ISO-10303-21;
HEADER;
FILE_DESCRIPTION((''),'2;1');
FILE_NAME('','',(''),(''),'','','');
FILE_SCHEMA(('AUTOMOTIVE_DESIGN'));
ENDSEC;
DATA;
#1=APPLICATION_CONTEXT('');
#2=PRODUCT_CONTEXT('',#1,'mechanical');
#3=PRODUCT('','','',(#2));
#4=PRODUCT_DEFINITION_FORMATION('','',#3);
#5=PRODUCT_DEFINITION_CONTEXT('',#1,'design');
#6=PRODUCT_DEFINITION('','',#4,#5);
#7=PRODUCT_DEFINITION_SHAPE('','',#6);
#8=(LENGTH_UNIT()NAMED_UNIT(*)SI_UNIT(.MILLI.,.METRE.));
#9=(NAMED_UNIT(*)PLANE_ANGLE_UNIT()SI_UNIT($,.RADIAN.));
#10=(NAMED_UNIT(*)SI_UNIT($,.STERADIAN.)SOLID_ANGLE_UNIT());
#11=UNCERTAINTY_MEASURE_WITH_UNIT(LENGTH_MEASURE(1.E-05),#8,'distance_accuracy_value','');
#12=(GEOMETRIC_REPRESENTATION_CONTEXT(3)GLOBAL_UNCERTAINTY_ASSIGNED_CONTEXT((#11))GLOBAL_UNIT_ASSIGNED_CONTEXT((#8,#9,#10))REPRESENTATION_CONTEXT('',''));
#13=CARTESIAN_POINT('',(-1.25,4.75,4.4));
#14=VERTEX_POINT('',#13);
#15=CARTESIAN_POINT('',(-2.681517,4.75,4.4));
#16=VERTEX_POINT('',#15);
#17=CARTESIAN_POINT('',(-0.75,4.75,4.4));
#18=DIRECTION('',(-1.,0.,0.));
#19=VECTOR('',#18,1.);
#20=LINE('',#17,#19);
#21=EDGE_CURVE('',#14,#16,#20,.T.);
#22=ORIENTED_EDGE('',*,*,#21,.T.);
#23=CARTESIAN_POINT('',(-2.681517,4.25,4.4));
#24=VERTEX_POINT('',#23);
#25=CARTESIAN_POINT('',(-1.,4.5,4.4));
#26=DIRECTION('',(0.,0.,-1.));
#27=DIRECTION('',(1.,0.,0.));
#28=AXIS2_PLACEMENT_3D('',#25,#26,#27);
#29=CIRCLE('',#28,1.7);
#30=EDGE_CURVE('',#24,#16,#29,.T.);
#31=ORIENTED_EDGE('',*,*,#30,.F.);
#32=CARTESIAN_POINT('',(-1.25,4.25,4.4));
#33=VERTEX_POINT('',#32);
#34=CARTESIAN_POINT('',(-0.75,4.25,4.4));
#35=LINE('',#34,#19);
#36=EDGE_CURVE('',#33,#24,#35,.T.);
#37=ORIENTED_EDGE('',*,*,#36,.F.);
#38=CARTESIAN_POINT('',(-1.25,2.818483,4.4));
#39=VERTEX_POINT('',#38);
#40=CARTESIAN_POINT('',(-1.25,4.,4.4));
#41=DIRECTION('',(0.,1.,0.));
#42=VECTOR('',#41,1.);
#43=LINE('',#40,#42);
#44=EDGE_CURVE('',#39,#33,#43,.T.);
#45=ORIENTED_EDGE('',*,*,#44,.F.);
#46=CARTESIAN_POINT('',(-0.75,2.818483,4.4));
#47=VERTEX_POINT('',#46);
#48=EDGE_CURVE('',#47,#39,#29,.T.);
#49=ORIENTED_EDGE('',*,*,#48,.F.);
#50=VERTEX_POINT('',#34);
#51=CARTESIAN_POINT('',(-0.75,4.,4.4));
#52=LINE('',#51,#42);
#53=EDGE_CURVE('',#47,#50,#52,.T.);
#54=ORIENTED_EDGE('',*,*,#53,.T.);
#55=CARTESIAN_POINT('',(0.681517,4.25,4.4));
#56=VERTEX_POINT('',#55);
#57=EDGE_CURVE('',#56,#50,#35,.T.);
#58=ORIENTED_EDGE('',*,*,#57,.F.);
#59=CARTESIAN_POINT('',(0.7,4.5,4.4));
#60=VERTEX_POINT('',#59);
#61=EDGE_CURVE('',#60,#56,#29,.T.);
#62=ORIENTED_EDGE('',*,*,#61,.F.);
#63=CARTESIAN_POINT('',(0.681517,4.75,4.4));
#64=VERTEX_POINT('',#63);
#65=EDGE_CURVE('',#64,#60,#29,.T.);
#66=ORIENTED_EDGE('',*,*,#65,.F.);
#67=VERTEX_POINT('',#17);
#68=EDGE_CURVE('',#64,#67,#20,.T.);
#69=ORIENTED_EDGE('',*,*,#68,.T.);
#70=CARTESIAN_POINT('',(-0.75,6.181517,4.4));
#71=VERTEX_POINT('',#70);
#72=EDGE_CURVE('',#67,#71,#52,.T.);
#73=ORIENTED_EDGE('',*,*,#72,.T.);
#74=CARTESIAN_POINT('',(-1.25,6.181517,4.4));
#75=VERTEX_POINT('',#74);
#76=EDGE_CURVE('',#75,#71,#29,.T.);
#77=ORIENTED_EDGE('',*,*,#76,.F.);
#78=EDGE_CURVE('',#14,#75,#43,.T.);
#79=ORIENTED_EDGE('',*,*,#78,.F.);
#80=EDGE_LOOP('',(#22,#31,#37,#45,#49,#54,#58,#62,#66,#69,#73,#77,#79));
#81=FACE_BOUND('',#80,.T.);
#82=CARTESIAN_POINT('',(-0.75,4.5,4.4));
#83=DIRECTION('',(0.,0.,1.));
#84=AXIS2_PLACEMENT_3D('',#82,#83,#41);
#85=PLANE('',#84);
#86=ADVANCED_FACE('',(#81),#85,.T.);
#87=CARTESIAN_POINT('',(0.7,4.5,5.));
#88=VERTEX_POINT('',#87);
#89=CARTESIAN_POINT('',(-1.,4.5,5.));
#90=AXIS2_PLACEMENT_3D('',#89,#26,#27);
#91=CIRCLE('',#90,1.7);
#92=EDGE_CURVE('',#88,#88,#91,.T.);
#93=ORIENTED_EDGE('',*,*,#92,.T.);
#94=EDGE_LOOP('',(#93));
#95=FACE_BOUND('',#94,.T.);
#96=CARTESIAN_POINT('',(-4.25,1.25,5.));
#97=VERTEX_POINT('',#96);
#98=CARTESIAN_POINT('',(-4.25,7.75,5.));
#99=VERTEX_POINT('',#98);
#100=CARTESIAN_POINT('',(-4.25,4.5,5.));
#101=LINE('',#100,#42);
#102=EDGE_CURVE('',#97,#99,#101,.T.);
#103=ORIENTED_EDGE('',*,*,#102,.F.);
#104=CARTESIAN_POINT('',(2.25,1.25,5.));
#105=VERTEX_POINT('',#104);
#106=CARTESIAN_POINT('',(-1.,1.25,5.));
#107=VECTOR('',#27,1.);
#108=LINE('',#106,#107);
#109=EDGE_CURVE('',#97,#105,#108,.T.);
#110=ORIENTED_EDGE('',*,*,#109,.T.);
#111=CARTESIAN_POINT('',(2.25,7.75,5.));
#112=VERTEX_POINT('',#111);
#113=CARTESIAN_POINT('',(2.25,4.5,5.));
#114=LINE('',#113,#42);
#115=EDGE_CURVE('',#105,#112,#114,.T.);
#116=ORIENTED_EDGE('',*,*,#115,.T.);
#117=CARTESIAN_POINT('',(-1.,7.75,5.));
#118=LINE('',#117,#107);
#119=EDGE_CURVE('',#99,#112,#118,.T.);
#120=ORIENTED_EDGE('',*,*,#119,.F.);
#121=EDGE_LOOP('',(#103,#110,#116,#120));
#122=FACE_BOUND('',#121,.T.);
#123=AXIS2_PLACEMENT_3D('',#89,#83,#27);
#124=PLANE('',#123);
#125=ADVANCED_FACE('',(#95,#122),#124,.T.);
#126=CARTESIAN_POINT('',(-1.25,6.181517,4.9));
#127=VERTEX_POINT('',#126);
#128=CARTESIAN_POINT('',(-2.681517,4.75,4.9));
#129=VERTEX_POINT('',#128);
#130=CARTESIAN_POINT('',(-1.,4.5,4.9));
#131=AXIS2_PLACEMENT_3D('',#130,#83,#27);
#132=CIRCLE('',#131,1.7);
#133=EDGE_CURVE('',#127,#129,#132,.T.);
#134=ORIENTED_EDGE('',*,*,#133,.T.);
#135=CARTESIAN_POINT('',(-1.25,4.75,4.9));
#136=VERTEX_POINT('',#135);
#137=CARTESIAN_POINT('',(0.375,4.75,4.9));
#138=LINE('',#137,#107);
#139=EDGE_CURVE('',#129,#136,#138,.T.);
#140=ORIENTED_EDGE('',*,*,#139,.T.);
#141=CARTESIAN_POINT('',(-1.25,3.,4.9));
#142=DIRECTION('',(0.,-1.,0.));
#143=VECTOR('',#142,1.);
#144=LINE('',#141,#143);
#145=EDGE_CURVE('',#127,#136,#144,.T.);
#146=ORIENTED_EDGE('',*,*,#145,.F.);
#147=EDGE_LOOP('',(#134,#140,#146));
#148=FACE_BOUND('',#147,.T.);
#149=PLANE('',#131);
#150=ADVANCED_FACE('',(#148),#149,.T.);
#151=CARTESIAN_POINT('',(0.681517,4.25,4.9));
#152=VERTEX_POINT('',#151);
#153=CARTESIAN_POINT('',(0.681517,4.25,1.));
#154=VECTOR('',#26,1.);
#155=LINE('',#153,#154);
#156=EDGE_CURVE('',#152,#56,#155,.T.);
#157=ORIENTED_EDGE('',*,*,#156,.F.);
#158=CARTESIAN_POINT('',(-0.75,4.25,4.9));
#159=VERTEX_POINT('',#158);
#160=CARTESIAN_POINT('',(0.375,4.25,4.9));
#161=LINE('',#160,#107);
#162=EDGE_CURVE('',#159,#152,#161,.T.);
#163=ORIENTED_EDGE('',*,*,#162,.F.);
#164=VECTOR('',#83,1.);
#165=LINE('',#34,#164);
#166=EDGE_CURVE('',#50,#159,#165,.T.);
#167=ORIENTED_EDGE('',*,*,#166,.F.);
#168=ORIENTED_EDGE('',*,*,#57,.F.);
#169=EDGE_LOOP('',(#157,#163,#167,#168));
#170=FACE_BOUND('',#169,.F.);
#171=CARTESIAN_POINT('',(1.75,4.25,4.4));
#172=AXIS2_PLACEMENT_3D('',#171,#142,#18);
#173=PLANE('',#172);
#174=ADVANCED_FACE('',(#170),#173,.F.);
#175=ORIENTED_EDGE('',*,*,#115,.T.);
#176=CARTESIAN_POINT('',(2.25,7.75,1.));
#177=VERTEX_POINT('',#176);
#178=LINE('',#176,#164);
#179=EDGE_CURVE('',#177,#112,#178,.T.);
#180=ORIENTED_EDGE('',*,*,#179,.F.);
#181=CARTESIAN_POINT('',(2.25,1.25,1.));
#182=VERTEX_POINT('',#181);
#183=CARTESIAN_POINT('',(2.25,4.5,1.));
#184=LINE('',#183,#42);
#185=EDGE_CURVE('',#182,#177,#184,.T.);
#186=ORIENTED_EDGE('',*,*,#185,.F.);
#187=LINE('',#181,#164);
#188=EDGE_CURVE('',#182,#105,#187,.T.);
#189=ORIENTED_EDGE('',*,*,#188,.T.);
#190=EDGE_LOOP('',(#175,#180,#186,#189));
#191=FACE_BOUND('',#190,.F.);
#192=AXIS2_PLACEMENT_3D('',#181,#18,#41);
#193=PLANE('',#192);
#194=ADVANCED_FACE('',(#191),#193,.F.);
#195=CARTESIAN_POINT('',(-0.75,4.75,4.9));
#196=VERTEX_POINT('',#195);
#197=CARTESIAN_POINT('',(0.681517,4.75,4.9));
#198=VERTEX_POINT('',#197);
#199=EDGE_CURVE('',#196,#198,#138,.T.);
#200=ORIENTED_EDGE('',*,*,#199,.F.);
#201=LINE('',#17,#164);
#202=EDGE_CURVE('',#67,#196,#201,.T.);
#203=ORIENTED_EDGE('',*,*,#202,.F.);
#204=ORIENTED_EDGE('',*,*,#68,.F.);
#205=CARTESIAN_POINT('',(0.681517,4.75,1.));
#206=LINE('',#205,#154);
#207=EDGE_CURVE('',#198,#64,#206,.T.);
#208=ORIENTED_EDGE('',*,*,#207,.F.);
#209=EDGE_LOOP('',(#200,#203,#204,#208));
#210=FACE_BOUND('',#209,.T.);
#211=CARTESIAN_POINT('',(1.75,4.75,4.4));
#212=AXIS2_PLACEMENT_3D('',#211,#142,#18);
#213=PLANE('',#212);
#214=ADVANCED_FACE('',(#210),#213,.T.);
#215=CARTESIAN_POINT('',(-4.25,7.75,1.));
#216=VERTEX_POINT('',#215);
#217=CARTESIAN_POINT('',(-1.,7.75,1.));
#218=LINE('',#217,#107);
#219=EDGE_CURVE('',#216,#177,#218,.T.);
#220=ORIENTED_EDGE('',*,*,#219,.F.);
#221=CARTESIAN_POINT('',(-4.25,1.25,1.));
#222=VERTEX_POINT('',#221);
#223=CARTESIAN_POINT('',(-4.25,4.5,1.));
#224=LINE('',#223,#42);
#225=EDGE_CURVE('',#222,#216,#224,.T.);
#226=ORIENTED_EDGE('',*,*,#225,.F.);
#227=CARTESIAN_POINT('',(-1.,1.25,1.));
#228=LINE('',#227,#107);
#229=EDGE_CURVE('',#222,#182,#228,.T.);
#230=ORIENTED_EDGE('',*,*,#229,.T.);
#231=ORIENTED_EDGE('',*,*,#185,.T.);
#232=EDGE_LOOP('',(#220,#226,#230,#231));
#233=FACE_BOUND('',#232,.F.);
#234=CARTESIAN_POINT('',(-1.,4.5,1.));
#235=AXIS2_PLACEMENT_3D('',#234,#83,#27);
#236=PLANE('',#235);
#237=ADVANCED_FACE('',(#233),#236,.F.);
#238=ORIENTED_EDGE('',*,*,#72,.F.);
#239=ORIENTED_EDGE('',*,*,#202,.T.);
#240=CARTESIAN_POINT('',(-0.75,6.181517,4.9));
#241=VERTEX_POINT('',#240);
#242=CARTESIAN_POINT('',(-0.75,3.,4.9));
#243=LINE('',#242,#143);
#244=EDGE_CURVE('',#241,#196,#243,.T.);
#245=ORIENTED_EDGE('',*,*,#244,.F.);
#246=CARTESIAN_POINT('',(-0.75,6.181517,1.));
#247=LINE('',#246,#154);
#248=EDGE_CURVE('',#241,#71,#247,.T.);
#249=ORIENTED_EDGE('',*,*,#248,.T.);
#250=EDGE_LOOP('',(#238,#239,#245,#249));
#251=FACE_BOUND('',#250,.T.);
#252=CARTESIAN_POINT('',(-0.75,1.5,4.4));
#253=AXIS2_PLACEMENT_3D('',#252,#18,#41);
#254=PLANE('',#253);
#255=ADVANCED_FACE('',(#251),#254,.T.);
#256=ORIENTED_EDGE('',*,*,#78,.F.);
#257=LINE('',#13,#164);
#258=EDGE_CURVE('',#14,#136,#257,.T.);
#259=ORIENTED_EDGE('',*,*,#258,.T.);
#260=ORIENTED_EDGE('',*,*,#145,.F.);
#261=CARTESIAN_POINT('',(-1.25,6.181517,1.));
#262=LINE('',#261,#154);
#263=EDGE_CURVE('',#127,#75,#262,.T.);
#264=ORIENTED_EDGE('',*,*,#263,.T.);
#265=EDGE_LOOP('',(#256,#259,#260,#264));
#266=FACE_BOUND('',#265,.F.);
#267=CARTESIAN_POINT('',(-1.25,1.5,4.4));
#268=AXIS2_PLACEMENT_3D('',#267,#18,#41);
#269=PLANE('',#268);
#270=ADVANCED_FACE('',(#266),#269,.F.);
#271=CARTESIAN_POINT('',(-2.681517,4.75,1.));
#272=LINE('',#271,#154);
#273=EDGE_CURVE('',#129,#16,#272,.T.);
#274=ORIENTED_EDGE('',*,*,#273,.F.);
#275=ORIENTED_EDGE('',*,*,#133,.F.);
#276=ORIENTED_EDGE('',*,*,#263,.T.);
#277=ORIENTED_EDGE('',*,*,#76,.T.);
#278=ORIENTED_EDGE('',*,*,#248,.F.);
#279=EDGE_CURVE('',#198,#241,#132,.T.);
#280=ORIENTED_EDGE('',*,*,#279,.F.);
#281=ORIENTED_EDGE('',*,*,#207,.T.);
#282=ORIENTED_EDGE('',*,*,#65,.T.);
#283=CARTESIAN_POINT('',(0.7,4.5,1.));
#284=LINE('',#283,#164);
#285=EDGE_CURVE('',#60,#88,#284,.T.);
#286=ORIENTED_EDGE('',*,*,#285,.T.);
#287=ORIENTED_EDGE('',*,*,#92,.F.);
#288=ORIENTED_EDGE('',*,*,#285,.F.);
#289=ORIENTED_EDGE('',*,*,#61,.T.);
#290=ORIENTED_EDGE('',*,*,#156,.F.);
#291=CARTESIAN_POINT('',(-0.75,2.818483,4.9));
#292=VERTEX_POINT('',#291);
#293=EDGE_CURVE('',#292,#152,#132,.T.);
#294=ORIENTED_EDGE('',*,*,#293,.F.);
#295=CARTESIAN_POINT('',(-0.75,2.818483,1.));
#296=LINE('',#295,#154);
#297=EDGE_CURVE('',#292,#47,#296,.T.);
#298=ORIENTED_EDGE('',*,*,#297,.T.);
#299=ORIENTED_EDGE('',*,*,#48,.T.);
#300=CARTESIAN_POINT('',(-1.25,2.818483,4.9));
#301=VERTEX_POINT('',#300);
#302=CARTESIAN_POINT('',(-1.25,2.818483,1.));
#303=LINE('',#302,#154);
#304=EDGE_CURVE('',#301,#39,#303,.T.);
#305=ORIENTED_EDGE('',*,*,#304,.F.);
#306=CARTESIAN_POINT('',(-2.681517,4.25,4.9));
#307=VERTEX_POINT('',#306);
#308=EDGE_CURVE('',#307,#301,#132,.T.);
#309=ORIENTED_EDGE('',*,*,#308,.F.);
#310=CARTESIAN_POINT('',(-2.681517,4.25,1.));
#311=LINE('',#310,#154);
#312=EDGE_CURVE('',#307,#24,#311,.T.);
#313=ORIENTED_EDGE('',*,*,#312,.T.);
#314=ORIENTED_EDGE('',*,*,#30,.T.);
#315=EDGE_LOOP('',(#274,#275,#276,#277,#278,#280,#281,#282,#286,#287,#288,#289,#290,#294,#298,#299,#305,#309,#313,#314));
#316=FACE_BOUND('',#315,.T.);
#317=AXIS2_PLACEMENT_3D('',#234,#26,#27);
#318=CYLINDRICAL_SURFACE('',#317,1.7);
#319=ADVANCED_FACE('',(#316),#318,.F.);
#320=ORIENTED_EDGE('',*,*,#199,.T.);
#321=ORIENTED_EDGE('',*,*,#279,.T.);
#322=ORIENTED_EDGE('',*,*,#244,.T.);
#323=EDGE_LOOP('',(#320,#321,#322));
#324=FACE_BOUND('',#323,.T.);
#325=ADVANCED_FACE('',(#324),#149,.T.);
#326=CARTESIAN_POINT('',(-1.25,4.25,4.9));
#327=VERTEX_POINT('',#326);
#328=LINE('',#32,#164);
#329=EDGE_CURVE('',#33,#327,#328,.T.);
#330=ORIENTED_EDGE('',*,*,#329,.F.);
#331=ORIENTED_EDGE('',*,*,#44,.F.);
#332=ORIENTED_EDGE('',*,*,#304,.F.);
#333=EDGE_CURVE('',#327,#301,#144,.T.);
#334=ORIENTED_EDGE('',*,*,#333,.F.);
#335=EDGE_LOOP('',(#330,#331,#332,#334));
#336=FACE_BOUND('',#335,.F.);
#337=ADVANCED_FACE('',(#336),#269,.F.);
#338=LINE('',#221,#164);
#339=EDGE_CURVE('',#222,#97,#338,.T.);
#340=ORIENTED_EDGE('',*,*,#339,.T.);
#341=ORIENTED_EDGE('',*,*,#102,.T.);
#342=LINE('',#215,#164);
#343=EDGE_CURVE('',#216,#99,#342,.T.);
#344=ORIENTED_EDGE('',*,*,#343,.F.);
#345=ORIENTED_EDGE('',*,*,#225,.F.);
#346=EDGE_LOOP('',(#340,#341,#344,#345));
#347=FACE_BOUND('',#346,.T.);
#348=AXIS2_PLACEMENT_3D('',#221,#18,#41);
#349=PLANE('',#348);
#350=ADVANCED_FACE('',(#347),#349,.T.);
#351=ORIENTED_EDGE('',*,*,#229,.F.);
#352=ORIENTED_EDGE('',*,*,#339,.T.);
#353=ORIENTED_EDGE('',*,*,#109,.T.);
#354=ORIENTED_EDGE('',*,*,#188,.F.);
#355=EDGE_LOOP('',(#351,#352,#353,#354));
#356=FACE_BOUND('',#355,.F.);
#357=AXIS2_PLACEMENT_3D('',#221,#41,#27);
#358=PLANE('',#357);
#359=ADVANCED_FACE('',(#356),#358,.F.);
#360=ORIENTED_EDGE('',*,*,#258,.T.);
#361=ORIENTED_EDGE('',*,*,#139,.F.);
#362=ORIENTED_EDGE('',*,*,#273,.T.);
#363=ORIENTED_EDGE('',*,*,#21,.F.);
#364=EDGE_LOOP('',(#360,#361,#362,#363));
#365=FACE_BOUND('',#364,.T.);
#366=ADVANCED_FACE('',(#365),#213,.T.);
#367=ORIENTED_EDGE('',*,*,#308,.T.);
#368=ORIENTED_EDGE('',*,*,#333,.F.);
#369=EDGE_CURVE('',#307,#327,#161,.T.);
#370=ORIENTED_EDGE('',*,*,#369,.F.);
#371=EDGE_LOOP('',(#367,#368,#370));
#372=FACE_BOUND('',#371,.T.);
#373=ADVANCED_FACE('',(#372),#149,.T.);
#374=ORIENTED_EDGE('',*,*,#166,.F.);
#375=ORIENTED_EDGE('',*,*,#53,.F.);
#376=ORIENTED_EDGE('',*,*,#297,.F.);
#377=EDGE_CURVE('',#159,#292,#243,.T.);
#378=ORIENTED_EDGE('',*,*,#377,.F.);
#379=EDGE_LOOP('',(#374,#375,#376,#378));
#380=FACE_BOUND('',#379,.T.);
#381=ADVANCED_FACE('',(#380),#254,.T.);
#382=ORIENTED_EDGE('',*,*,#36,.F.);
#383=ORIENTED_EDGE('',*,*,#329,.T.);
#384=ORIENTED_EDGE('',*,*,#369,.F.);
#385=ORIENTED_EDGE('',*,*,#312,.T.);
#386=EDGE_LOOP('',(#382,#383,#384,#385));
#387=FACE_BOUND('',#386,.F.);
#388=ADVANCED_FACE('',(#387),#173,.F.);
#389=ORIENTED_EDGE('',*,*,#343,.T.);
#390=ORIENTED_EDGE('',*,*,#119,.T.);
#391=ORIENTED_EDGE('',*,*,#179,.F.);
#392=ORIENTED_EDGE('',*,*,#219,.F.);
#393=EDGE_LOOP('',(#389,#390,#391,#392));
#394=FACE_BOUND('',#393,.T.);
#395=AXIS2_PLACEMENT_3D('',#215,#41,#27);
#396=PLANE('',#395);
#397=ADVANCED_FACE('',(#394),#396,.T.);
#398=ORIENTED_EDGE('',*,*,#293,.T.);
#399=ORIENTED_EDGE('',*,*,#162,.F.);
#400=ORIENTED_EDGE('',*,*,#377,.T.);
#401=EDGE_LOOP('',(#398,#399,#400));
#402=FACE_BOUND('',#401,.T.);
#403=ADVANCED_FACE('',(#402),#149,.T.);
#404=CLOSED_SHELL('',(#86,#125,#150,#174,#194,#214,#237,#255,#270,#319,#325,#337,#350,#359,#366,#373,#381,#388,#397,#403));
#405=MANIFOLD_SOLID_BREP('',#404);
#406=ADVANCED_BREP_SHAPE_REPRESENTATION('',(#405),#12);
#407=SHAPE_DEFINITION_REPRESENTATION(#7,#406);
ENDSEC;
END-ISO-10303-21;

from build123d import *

# Parameters (mm, degrees)
BOX011_W               = 0.5
BOX011_H               = 5
BOX011_DEPTH           = 3
BOX011_PLACEMENT_ANGLE = 90
BOX012_W               = 0.5
BOX012_H               = 5
BOX012_DEPTH           = 3
CYLINDER_R             = 1.7
CYLINDER_DEPTH         = 3.9
CYLINDER001_R          = 1.7
CYLINDER001_DEPTH      = 5
BOX010_W               = 6.5
BOX010_H               = 6.5
BOX010_DEPTH           = 4


with BuildPart() as cubo011:
    # Box011 → Box011 (new body)
    with BuildSketch(Plane.XY):
        with Locations((0.25, 2.5)):
            Rectangle(BOX011_W, BOX011_H)
    extrude(amount=BOX011_DEPTH)


with BuildPart() as cubo011_1:
    # Box011 placement: moved
    add(cubo011.part.moved(Location((2.75, -0.25, 3.4))).rotate(Axis((2.75, -0.25, 3.4), (0, 0, 1)), BOX011_PLACEMENT_ANGLE))


with BuildPart() as cubo012:
    # Box012 → Box012 (new body)
    with BuildSketch(Plane(origin=(-0.25, -3, 3.4), x_dir=(1, 0, 0), z_dir=(0, 0, 1))):
        with Locations((0.25, 2.5)):
            Rectangle(BOX012_W, BOX012_H)
    extrude(amount=BOX012_DEPTH)


with BuildPart() as cut004:
    # Cylinder → Cylinder (new body)
    with BuildSketch(Plane.XY):
        Circle(CYLINDER_R)
    extrude(amount=CYLINDER_DEPTH)

    # Cut003: cut Cubo012
    add(cubo012.part, mode=Mode.SUBTRACT)

    # Cut004: cut Cubo011
    add(cubo011_1.part, mode=Mode.SUBTRACT)


with BuildPart() as cilindro001:
    # Cylinder001 → Cylinder001 (new body)
    with BuildSketch(Plane.XY):
        Circle(CYLINDER001_R)
    extrude(amount=CYLINDER001_DEPTH)


with BuildPart() as potentiometer:
    # Box010 → Box010 (new body)
    with BuildSketch(Plane(origin=(-3.25, -3.25, 0), x_dir=(1, 0, 0), z_dir=(0, 0, 1))):
        with Locations((3.25, 3.25)):
            Rectangle(BOX010_W, BOX010_H)
    extrude(amount=BOX010_DEPTH)

    # Cut002: cut Cilindro001
    add(cilindro001.part, mode=Mode.SUBTRACT)

    # Fusion003: union Cut004
    add(cut004.part)


with BuildPart() as potentiometer_1:
    # Fusion003 placement: moved
    add(potentiometer.part.moved(Location((-1, 4.5, 1))))


solid = potentiometer_1.part
